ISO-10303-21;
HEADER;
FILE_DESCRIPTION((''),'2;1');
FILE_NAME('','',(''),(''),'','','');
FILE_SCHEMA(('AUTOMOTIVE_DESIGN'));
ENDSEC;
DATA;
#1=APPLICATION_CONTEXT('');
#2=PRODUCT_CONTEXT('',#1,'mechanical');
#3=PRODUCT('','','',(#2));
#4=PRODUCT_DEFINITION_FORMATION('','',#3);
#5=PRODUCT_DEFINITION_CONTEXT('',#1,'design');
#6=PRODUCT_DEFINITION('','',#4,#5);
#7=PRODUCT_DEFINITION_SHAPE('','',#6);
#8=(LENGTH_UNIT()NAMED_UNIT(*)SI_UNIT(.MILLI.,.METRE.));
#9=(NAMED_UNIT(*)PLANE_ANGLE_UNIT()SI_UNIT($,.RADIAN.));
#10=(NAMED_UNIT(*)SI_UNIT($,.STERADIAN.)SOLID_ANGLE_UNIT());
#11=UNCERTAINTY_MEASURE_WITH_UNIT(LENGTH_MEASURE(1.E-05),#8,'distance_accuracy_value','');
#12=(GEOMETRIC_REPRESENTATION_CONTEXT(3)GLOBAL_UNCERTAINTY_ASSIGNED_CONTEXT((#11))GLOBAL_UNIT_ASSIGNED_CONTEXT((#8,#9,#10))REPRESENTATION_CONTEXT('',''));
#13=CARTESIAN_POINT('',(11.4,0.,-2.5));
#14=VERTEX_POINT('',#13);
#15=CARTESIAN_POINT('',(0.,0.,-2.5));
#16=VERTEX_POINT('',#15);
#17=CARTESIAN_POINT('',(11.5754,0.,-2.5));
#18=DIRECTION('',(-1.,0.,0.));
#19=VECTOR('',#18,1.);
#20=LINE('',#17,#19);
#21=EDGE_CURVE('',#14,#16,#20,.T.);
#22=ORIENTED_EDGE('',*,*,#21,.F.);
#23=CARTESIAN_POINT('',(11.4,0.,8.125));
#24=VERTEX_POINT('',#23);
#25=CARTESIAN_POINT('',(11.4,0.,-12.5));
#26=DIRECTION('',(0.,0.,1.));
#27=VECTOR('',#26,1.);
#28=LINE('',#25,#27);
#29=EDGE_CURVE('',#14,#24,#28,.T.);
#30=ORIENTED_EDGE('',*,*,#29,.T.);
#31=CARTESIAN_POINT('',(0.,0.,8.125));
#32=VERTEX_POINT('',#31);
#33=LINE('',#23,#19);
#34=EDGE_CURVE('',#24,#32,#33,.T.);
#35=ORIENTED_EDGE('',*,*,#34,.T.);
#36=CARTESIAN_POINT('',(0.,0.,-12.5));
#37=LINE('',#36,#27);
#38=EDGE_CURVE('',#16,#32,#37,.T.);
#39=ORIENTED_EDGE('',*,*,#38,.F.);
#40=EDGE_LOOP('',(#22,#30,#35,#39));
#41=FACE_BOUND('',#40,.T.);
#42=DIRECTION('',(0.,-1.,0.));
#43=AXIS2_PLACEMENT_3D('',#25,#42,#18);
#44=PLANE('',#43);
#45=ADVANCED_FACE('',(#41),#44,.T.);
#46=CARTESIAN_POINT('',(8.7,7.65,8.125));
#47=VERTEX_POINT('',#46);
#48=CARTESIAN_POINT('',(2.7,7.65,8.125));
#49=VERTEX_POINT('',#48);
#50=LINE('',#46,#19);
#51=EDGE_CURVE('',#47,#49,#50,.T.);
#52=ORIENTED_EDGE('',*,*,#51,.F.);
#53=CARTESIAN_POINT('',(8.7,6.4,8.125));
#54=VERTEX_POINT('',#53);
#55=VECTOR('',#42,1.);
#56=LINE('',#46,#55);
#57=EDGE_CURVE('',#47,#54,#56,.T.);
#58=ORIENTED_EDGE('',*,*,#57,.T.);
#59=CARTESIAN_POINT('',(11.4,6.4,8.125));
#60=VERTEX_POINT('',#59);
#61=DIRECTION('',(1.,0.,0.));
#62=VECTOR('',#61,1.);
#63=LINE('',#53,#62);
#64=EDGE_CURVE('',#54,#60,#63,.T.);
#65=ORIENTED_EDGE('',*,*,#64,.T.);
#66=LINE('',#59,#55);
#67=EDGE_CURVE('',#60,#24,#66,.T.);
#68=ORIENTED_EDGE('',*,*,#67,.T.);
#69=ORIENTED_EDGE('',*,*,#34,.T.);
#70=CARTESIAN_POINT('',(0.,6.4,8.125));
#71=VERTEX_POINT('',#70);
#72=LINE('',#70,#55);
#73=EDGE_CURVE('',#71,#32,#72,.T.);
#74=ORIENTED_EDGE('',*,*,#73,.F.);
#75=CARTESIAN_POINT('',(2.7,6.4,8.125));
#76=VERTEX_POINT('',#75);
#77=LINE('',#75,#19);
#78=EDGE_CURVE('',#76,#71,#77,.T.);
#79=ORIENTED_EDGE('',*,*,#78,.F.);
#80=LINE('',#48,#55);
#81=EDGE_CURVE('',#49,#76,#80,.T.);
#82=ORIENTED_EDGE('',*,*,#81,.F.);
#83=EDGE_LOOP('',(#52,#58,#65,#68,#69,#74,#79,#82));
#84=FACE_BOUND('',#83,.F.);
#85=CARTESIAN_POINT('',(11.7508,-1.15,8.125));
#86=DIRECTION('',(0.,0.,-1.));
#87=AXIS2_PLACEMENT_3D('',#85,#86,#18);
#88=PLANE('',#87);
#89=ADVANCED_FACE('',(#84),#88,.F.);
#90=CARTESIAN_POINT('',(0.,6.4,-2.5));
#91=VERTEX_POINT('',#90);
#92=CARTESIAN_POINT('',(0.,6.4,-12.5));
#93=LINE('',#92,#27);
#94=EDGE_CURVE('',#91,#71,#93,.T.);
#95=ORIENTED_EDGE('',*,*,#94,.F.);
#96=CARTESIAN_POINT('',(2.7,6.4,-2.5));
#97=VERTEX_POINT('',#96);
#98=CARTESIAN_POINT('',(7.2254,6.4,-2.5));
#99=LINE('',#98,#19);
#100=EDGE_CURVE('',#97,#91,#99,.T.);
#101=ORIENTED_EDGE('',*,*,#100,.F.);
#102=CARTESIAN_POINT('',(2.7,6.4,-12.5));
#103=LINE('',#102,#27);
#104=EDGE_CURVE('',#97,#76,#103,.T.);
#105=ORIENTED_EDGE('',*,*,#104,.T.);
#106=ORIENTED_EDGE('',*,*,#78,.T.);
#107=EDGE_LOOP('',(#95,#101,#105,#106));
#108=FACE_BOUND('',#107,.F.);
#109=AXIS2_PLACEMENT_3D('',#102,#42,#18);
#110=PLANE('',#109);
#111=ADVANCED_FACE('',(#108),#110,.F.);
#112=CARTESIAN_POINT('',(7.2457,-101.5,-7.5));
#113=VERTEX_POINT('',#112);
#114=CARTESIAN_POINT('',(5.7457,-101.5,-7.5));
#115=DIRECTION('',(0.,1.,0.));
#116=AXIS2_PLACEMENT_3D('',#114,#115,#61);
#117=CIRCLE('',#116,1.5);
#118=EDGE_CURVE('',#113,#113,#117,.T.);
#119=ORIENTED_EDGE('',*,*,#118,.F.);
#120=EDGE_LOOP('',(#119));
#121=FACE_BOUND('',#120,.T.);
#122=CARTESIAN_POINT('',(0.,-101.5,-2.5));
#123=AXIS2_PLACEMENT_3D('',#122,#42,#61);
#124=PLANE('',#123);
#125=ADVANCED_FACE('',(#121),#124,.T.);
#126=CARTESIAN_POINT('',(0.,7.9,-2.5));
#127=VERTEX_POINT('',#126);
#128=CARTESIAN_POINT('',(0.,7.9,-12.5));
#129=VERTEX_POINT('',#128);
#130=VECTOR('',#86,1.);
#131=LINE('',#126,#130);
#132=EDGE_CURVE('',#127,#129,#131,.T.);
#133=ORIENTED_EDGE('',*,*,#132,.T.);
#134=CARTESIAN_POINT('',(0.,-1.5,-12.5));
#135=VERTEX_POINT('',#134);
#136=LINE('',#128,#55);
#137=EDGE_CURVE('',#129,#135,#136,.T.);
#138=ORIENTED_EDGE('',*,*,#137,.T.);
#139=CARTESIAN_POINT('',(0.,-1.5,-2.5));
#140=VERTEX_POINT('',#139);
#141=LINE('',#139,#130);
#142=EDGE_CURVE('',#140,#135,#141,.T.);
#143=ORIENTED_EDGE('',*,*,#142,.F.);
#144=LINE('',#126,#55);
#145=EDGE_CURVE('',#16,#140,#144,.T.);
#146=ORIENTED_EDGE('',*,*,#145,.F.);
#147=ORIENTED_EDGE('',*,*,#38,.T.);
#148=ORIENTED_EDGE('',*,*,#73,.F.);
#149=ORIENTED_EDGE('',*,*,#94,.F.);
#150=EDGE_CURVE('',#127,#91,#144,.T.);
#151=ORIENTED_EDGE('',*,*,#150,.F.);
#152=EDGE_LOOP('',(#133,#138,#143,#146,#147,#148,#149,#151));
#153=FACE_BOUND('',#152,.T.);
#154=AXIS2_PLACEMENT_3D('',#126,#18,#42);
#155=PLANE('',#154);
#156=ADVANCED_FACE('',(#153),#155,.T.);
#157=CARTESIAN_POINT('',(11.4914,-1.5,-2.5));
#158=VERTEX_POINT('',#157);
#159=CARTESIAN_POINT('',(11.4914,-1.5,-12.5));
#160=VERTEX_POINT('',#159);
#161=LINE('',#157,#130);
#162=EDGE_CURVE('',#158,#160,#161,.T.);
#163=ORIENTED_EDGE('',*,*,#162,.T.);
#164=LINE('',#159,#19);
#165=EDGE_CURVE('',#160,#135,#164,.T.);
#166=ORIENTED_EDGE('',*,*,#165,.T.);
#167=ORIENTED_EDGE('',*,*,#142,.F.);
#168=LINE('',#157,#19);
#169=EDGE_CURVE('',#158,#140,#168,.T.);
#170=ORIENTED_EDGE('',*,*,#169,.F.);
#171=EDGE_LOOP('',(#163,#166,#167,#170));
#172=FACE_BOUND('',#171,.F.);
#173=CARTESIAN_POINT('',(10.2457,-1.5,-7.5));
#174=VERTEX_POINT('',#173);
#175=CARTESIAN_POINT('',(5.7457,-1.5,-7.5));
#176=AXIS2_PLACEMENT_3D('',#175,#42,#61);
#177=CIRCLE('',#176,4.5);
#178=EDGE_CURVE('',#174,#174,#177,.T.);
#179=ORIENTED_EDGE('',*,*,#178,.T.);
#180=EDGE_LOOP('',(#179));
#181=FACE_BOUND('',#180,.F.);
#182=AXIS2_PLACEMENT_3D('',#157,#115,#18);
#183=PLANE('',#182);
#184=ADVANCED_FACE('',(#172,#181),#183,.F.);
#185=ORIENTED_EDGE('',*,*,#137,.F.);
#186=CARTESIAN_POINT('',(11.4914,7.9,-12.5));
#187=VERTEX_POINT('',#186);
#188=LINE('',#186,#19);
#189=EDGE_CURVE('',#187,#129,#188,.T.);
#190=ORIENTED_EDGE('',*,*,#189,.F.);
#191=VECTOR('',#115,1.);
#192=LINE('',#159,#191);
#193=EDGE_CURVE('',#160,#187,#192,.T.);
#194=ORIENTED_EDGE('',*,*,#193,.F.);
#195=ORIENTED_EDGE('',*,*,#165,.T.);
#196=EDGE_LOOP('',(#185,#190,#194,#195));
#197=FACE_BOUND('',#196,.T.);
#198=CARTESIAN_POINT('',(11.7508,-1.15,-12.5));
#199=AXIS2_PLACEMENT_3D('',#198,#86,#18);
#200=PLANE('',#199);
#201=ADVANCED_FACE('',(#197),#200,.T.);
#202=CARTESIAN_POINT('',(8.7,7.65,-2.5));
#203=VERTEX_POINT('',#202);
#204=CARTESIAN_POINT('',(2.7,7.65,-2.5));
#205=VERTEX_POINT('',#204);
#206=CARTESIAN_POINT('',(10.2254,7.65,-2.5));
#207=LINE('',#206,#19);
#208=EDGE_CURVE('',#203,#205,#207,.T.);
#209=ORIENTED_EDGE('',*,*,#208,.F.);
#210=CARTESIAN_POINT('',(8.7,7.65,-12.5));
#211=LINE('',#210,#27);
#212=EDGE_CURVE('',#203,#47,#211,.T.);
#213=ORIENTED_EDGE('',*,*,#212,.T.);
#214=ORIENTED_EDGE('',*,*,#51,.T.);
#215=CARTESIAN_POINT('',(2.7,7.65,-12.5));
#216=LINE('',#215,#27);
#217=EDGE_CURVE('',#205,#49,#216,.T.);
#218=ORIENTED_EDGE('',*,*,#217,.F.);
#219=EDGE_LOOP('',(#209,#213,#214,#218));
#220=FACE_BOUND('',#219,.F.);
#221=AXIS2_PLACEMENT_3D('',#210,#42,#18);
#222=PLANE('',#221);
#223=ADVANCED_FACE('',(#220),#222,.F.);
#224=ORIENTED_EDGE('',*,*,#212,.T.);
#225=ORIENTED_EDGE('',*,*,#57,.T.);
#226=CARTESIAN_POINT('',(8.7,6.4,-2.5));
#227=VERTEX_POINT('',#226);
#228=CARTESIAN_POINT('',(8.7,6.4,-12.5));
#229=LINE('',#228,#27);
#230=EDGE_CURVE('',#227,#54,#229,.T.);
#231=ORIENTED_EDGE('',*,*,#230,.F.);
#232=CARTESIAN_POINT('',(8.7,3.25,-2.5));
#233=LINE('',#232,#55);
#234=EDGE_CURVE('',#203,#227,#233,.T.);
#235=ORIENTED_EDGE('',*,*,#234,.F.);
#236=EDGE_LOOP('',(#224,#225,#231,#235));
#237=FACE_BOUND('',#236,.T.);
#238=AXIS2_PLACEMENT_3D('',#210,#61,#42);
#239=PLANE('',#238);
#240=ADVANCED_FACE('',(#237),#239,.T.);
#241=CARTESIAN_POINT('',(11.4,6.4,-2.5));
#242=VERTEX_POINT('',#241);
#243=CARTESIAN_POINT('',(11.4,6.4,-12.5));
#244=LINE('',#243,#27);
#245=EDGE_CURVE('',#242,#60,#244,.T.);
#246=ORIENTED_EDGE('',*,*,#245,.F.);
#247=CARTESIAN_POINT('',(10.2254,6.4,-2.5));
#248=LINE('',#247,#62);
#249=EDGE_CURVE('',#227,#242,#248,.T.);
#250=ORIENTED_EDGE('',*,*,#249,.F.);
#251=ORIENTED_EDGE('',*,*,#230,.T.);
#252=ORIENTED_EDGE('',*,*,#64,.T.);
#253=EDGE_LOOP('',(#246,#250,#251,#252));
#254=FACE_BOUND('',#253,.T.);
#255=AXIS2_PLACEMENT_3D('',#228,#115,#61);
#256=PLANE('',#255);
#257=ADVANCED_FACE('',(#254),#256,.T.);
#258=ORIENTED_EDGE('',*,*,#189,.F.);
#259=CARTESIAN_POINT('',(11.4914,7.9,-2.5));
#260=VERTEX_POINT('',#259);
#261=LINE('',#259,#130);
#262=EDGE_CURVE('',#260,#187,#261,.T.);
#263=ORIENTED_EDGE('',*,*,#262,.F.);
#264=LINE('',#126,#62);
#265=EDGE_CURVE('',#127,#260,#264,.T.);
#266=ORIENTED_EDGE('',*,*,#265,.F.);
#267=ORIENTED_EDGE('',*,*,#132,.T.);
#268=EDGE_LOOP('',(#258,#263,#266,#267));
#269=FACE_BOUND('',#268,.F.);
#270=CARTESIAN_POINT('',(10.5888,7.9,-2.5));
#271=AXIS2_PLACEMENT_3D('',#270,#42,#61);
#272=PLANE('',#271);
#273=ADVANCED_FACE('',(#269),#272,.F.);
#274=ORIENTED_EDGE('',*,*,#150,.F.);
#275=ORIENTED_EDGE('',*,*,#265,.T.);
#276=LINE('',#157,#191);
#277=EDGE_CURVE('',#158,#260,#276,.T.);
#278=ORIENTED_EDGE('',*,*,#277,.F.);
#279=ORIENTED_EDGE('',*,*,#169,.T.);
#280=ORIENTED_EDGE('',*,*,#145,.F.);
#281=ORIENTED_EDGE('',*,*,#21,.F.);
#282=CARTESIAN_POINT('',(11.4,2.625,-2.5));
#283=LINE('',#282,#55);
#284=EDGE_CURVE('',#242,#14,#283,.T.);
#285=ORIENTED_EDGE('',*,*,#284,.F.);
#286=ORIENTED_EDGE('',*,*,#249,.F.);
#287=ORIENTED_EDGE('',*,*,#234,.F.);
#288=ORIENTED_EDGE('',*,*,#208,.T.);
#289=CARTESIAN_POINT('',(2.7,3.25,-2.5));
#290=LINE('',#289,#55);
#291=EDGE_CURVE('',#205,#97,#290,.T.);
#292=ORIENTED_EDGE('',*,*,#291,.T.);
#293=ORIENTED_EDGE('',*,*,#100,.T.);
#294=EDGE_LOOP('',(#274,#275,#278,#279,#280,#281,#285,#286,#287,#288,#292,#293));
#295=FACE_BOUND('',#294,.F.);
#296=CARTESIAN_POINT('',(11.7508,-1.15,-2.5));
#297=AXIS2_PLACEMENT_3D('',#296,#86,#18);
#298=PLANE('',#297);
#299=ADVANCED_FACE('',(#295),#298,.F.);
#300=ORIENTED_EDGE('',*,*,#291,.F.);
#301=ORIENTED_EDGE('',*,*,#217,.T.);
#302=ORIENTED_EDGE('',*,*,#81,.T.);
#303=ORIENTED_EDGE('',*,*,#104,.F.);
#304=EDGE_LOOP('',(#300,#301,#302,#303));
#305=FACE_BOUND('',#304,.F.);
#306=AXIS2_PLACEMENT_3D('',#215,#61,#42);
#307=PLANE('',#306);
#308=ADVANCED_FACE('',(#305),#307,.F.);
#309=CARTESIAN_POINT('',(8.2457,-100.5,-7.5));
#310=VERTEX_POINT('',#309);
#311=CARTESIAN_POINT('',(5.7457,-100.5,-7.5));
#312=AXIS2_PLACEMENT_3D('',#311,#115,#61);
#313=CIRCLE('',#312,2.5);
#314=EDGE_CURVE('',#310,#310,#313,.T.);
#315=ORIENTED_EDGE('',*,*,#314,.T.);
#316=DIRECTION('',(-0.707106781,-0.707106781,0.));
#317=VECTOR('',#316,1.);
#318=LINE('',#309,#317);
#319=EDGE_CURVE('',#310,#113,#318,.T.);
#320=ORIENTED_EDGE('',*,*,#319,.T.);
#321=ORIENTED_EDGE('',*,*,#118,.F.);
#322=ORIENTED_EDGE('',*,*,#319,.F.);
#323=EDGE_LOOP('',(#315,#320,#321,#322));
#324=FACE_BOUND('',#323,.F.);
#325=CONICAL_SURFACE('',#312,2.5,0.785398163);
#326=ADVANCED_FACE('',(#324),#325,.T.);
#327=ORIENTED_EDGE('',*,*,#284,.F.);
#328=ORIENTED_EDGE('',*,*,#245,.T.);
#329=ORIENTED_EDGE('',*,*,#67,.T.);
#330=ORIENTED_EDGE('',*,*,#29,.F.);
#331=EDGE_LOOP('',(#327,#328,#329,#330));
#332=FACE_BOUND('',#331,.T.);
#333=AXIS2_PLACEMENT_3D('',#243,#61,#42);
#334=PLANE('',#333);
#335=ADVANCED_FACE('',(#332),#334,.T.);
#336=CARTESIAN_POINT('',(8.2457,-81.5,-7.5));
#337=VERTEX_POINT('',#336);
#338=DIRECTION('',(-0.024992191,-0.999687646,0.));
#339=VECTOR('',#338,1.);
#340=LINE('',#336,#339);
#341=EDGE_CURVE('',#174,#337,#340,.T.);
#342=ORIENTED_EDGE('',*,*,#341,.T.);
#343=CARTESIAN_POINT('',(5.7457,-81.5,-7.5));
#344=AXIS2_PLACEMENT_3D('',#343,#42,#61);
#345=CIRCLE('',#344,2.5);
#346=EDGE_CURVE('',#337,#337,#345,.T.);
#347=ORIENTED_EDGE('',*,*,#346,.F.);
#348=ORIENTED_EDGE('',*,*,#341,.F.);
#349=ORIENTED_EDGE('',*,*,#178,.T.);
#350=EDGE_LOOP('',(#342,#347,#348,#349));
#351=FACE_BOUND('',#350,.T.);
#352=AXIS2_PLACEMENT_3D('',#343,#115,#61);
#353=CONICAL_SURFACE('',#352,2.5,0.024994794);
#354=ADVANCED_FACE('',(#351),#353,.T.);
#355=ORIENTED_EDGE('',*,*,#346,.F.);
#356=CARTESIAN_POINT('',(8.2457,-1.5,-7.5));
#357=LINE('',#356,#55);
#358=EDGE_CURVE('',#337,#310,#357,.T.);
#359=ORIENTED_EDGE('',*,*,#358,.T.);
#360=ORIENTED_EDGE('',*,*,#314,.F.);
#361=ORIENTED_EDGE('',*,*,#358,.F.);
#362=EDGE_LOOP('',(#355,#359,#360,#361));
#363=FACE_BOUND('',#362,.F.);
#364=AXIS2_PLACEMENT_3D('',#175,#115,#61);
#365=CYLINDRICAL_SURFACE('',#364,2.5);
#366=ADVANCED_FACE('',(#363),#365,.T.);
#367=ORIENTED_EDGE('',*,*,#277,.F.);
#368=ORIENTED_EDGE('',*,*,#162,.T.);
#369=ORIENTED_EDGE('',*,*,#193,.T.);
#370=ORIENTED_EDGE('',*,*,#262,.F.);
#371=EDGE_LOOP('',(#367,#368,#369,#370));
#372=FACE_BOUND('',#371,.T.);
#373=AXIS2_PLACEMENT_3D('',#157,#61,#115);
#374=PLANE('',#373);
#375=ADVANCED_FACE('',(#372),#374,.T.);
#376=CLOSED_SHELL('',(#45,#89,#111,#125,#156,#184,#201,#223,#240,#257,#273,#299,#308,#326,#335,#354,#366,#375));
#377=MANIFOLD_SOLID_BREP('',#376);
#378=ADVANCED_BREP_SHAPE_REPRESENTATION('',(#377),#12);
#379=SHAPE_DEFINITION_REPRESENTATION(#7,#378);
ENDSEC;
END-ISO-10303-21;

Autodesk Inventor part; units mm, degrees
ref_plane "YZ Plane" through (0, 0, 0) normal (1, 0, 0) x (0, 1, 0)
ref_plane "XZ Plane" through (0, 0, 0) normal (0, 1, 0) x (-1, 0, 0)
ref_plane "XY Plane" through (0, 0, 0) normal (0, 0, 1) x (1, 0, 0)
sketch "Sketch1" plane through (11.7508, -1.15, -2.5) normal (0, 0, -1) x (-1, 0, 0)
  line L0 (0.2594, -0.35) -> (11.8421, -0.35) projected
  line L1 (11.8421, 9.05) -> (10.9395, 9.05) projected
  line L2 (1.162, 9.05) -> (0.2594, 9.05) projected
  line L3 (11.7508, -0.35) -> (0.2594, -0.35)
  line L4 (0.2594, -0.35) -> (0.2594, 9.05)
  line L5 (0.2594, 9.05) -> (11.7508, 9.05)
  line L6 (11.7508, 9.05) -> (11.7508, -0.35)
  point P0 (11.7508, 1.15)
extrude "Extrusion1" add sketch "Sketch1" along normal blind 10
sketch "Sketch2" plane through (0, -1.5, -2.5) normal (0, -1, 0) x (1, 0, 0)
  line L0 (0, 0) -> (0, -10) projected
  line L1 (11.4914, 0) -> (11.4914, -10) projected
  line L2 (11.4914, -10) -> (0, -10) projected
  line L3 (11.4914, 0) -> (0, 0) projected
  line L4 (0, -10) -> (11.4914, 0)
  circle A0 centre (5.7457, -5) radius 2.5
  point P0 (0, 2.5)
  dimension "d2" = 5
extrude "Extrusion2" add sketch "Sketch2" along normal blind 100 contours A0 L4 | L4 A0
chamfer "Chamfer1" distance 2 distance2 80 1 edges at (3.2457, -1.5, -7.5) measured on face at (10.4095, -1.5, -7.5)
chamfer "Chamfer2" distance 1 angle 45 1 edges at (3.2457, -101.5, -7.5)
sketch "Sketch3" plane through (11.7508, -1.15, -12.5) normal (0, 0, -1) x (-1, 0, 0)
  line L0 (0.2594, 9.05) -> (0.2594, -0.35) projected
  line L1 (3.0508, 8.8) -> (9.0508, 8.8) projected
  line L2 (11.7508, 7.55) -> (11.7508, -0.85) projected
  line L3 (9.0508, 7.55) -> (11.7508, 7.55) projected
  line L4 (9.0508, 8.8) -> (9.0508, 7.55) projected
  line L5 (3.0508, 7.55) -> (0.3508, 7.55) projected
  line L6 (3.0508, 8.8) -> (3.0508, 7.55) projected
  line L7 (0.3508, 7.55) -> (0.3508, -0.85) projected
  line L8 (0.3508, 1.15) -> (11.7508, 1.15) projected
extrude "Extrusion3" add sketch "Sketch3" against normal blind 20.625
properties part number "RJ45 Port Cap_Slim_3DPrint"
